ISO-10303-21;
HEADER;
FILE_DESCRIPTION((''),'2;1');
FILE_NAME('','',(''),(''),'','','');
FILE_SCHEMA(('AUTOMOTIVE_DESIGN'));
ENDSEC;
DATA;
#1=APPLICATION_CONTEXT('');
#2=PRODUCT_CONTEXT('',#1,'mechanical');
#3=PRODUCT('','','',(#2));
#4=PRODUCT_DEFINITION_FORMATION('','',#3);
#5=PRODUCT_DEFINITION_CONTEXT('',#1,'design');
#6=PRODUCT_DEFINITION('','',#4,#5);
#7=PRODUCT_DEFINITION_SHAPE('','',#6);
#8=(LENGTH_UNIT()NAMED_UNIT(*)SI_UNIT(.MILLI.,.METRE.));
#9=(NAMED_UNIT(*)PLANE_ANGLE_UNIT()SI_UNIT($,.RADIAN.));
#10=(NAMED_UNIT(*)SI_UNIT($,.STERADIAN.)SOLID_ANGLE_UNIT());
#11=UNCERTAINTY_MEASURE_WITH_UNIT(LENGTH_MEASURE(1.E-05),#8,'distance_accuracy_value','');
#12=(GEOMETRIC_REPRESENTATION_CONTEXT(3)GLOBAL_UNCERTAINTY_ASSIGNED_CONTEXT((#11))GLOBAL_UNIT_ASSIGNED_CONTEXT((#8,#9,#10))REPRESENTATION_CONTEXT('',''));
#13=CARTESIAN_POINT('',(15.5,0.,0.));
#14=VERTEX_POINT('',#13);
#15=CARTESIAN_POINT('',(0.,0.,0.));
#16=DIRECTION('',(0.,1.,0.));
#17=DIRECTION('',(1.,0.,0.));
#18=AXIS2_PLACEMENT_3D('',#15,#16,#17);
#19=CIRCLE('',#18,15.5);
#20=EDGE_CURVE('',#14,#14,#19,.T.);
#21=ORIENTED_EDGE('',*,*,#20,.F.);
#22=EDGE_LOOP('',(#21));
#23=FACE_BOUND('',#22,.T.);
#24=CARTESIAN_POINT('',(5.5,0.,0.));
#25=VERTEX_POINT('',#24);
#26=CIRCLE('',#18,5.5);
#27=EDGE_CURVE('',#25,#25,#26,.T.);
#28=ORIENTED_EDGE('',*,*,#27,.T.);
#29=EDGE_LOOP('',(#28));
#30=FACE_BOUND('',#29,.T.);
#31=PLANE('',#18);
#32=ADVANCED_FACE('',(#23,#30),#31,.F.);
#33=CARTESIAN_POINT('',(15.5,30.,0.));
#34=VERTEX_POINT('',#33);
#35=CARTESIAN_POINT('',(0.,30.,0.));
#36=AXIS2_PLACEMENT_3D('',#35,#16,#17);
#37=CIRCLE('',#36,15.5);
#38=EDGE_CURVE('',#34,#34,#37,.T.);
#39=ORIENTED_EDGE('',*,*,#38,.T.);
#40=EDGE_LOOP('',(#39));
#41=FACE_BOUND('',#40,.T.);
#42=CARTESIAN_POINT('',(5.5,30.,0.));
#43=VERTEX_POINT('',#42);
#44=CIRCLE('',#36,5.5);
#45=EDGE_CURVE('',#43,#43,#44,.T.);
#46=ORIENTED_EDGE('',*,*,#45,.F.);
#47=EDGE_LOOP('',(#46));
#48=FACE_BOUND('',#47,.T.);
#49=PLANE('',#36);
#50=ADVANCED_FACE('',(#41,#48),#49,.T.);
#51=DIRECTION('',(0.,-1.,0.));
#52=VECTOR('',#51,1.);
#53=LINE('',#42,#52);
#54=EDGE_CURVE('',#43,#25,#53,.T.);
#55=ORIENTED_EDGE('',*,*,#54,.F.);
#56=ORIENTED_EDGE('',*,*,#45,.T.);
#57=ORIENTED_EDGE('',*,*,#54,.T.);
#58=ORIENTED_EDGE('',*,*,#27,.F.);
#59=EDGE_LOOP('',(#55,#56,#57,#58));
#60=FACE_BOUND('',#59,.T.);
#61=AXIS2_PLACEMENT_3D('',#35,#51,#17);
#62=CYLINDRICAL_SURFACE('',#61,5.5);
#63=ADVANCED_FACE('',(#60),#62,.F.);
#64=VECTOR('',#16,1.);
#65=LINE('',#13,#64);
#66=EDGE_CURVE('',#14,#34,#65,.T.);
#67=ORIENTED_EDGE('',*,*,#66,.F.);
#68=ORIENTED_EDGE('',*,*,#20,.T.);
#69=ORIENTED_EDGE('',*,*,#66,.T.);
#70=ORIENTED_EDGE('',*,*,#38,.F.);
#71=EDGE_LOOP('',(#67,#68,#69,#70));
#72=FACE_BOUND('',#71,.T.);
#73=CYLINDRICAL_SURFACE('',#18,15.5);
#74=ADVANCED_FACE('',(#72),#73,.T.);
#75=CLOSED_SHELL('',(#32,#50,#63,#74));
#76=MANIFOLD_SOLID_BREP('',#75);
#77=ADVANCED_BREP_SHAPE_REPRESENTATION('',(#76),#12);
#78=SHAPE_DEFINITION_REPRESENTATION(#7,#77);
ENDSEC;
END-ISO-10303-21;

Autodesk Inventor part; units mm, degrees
ref_plane "YZ Plane" through (0, 0, 0) normal (1, 0, 0) x (0, 1, 0)
ref_plane "XZ Plane" through (0, 0, 0) normal (0, 1, 0) x (-1, 0, 0)
ref_plane "XY Plane" through (0, 0, 0) normal (0, 0, 1) x (1, 0, 0)
sketch "Sketch1" plane through (0, 0, 0) normal (0, 0, 1) x (1, 0, 0)
  line L0 (5.5, 0) -> (15.5, 0)
  line L1 (15.5, 0) -> (15.5, 30)
  line L2 (15.5, 30) -> (5.5, 30)
  line L3 (5.5, 30) -> (5.5, 0)
  line L4 (0, -6) -> (0, 36) projected
  point P0 (0, 0)
  dimension "d0" = 5.5
  dimension "d1" = 15.5
  dimension "d2" = 30
revolve "Revolution1" add sketch "Sketch1" angle 360 about axis through (0, -10, 0) along (0, 1, 0)
properties part number "nozzle" material "Concrete"
